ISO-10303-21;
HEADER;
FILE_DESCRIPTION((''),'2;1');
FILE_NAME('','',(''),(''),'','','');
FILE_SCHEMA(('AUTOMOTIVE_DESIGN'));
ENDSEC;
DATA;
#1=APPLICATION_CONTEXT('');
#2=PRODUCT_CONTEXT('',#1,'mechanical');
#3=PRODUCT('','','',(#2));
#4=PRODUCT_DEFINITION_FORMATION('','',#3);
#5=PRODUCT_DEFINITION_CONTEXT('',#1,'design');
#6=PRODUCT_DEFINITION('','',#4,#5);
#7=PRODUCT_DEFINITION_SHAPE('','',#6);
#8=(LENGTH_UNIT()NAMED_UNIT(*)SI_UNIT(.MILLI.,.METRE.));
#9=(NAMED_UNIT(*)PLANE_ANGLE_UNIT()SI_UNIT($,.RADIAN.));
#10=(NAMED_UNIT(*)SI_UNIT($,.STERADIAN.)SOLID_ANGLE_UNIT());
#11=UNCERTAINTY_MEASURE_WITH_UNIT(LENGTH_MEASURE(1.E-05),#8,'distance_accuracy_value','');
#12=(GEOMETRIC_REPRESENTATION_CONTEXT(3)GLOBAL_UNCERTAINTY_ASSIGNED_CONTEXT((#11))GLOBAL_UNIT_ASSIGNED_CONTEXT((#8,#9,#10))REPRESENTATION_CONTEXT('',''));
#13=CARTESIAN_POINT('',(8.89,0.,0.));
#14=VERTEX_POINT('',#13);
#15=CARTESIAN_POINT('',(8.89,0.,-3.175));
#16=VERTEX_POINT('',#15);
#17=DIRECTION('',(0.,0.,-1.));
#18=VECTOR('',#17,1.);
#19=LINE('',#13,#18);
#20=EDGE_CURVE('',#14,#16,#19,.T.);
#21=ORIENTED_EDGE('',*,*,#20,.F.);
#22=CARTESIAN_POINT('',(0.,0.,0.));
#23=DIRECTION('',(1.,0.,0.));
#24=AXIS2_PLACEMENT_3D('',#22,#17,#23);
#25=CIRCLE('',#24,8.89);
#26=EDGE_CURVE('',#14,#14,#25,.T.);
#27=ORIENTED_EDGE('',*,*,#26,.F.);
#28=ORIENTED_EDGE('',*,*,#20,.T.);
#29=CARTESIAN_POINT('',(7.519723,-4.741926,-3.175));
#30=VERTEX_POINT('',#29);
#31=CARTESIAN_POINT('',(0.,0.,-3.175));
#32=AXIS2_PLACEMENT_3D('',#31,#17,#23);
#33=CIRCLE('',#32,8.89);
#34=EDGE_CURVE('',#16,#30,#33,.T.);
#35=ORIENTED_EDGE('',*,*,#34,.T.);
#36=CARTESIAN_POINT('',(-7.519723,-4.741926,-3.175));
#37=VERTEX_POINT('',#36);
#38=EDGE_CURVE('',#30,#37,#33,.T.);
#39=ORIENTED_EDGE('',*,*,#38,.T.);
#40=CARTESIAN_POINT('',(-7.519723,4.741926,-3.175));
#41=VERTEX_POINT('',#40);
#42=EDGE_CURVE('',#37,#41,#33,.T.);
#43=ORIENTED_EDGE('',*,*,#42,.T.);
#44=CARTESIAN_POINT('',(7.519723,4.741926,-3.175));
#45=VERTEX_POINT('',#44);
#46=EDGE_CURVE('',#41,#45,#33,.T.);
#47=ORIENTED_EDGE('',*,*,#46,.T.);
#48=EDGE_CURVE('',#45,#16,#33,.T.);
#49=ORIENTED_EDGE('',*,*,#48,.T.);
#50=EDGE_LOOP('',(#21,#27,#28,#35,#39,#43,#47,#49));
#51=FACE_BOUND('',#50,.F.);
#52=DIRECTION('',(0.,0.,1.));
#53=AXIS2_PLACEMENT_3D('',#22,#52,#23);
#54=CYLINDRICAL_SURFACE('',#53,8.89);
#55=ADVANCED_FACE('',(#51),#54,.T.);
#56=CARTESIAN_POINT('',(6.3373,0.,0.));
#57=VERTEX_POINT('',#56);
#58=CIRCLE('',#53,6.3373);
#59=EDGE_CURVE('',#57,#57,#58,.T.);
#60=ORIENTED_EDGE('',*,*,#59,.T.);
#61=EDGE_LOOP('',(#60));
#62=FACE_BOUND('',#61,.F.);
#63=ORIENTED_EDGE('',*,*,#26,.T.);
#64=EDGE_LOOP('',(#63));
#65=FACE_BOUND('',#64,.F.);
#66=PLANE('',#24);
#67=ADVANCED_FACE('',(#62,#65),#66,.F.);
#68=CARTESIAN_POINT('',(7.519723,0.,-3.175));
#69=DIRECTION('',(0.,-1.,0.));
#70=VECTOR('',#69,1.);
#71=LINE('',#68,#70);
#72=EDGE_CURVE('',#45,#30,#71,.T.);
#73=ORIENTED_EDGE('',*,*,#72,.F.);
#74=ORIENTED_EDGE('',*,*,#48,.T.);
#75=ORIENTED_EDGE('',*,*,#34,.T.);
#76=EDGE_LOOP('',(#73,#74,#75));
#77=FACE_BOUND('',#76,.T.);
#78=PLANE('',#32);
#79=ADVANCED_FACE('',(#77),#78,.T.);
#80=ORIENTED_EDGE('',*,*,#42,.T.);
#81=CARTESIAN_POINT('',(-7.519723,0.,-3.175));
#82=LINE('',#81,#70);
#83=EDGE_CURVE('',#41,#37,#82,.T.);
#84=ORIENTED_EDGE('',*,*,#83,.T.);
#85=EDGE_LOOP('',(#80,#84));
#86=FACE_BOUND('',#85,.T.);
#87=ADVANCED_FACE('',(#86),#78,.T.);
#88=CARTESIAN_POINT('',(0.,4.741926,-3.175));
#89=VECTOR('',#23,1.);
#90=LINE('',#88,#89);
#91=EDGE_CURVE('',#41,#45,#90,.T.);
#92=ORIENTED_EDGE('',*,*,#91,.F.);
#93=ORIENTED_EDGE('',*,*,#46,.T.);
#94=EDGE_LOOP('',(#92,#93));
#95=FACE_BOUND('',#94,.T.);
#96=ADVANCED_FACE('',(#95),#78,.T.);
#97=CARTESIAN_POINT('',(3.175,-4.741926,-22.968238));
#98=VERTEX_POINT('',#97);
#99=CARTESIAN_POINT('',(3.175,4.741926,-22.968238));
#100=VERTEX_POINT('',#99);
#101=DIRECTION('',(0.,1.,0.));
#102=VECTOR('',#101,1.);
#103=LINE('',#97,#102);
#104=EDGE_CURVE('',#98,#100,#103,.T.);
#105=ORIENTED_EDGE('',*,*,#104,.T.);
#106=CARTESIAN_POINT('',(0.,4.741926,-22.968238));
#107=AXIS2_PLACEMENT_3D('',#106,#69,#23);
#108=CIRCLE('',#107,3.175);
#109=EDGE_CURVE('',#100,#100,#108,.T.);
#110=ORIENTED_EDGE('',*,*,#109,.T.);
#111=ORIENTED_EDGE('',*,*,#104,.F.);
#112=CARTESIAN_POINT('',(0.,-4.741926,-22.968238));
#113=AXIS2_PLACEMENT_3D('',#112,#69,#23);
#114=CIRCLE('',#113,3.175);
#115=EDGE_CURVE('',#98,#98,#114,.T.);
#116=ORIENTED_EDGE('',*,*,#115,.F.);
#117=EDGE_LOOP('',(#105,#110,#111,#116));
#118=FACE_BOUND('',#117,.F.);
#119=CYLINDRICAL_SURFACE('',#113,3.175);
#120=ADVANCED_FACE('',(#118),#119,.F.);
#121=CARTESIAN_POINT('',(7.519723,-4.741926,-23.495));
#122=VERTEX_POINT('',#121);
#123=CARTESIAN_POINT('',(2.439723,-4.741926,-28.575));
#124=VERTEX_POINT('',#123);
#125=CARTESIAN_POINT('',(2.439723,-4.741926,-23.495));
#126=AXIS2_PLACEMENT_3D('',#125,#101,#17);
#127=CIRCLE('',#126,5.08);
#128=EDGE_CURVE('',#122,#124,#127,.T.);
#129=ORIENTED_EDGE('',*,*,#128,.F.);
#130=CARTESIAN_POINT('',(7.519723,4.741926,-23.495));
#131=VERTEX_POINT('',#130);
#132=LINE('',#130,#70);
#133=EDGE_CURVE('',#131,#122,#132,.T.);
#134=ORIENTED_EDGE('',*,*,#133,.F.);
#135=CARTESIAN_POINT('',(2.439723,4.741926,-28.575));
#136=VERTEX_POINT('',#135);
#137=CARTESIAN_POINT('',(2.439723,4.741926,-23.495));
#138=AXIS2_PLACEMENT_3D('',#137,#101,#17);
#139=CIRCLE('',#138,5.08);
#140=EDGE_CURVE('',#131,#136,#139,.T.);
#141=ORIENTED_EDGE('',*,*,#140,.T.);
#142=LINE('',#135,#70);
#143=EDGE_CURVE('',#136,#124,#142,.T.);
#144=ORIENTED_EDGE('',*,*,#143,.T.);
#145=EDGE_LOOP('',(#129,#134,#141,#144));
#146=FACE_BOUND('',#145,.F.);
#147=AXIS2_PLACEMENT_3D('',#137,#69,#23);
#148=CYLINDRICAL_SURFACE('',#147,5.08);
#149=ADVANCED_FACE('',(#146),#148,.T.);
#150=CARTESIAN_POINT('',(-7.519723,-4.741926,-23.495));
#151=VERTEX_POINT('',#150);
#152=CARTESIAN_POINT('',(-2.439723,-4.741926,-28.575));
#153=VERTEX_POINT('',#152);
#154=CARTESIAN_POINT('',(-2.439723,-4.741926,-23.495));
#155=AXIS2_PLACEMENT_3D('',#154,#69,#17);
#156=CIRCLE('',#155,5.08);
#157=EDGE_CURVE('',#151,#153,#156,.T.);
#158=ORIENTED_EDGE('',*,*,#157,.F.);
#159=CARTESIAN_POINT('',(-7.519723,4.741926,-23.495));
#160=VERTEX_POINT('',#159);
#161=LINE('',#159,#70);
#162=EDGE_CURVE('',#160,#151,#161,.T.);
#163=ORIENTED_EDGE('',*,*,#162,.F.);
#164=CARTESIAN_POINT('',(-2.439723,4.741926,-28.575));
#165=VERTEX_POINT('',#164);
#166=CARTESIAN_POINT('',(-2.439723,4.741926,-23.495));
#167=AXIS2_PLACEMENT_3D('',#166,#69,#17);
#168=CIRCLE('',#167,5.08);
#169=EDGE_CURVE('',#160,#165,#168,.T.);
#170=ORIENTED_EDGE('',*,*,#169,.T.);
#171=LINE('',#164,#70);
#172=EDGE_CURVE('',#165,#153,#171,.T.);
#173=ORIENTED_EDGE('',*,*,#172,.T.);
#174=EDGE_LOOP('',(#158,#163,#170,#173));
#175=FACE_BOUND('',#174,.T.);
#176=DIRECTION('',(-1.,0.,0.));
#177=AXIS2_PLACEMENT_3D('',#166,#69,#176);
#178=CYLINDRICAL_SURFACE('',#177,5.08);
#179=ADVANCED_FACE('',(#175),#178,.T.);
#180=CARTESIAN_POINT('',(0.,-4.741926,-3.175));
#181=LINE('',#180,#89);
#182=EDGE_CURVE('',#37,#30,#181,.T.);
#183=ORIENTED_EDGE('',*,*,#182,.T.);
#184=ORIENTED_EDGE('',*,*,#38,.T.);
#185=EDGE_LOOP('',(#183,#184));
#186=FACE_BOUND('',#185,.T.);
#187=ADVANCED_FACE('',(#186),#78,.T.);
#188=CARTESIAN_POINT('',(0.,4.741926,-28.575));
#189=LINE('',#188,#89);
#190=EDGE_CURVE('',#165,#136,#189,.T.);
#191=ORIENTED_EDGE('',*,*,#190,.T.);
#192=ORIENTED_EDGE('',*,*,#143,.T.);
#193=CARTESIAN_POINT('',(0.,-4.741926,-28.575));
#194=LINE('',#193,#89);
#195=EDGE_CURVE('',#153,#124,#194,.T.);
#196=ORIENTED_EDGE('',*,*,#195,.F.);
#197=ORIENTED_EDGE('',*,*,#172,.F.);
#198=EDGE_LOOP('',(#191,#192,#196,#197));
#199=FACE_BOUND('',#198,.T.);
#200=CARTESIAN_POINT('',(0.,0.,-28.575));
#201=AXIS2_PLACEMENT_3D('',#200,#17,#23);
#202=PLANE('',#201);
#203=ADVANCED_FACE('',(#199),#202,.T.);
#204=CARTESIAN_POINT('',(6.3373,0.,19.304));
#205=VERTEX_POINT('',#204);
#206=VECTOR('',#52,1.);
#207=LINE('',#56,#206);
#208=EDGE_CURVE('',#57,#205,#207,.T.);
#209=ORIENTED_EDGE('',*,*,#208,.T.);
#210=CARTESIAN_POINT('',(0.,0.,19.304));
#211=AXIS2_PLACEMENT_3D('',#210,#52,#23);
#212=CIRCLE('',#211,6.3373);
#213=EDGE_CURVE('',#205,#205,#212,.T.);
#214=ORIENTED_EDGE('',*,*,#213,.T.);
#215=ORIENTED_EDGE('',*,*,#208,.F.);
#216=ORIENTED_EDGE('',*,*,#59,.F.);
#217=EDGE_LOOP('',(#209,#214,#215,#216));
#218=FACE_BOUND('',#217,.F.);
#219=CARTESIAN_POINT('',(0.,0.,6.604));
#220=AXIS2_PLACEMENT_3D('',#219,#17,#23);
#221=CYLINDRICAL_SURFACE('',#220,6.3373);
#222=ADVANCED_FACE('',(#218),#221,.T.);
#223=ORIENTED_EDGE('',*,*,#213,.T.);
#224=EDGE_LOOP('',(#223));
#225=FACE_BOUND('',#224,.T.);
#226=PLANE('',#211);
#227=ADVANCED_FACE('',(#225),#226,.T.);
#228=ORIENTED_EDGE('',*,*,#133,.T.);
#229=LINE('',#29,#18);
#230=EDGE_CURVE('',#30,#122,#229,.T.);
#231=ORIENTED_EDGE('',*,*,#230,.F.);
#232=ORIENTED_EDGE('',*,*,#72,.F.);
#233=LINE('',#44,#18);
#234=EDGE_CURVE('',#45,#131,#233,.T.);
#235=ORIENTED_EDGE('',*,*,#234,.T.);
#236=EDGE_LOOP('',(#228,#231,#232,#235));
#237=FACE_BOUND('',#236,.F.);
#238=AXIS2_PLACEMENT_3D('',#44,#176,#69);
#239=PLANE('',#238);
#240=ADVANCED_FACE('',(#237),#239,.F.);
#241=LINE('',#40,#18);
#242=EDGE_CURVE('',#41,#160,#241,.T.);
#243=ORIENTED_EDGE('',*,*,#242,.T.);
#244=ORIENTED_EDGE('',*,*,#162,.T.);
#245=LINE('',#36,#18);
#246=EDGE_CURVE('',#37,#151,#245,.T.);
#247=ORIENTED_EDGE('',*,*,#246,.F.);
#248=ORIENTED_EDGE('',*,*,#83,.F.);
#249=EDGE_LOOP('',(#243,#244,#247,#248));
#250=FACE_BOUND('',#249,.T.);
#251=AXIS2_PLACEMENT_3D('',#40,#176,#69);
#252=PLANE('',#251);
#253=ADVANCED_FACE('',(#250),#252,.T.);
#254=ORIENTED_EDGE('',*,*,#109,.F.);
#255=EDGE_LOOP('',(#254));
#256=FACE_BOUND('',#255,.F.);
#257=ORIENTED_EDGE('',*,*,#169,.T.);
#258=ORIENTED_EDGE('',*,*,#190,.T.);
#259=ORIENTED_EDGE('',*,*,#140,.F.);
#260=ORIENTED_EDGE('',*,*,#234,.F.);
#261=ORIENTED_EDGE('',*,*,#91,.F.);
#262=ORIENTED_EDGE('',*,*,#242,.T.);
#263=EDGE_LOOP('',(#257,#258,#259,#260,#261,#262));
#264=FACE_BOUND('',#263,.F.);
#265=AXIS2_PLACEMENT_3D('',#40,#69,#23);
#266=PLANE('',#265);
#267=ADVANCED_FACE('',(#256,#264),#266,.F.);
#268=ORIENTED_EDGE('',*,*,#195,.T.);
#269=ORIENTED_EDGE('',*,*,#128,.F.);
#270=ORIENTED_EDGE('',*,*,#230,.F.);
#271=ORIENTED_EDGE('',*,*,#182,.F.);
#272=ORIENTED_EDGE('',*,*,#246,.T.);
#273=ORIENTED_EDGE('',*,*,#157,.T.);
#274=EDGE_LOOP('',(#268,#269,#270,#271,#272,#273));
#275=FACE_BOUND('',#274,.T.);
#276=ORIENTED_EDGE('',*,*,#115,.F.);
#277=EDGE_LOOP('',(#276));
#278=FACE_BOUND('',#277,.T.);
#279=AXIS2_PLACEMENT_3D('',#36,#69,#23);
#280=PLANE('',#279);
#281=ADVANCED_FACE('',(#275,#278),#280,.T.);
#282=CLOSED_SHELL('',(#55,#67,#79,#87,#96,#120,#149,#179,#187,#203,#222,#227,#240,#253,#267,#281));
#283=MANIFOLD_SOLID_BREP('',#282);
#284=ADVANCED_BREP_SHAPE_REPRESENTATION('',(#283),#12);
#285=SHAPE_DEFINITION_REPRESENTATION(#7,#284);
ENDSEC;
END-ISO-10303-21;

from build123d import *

# Parameters (mm, degrees)
F0_R     = 6.3373
F1_DEPTH = 6.604
F2_R     = 8.89
F3_DEPTH = 3.175
F4_W     = 15.0394464063
F4_H     = 9.4838521599
F5_DEPTH = 25.4
F6_R     = 3.175
F7_DEPTH = 25.4
F8_R     = 5.08
F9_DEPTH = 12.7


with BuildPart() as f1:
    # F0 (on Top) → F1 (new body)
    with BuildSketch(Plane.XY):
        Circle(F0_R)
    extrude(amount=F1_DEPTH)

    # F2 (on face) → F3 (join)
    with BuildSketch(Plane(origin=(0, 0, 0), x_dir=(1, 0, 0), z_dir=(0, 0, -1))):
        Circle(F2_R)
    extrude(amount=F3_DEPTH)

    # F4 (on face) → F5 (join)
    with BuildSketch(Plane(origin=(0, 0, -3.175), x_dir=(1, 0, 0), z_dir=(0, 0, -1))):
        Rectangle(F4_W, F4_H)
    extrude(amount=F5_DEPTH)

    # F6 (on face) → F7 (cut)
    with BuildSketch(Plane.XZ.offset(4.74192608)):
        with Locations((0, -22.9682382196)):
            Circle(F6_R)
    extrude(amount=-F7_DEPTH, mode=Mode.SUBTRACT)

    # F8
    f8_edges = [f1.edges().sort_by_distance(p)[0] for p in [
        (-7.519723, 0, -28.575),
        (7.519723, 0, -28.575),
    ]]
    fillet(f8_edges, radius=F8_R)

    # F9 (add): a face of the model
    f9_faces = [f1.faces().sort_by_distance(p)[0] for p in [
        (0, 0, 6.604),
    ]]
    extrude(f9_faces, amount=F9_DEPTH)


solid = f1.part
